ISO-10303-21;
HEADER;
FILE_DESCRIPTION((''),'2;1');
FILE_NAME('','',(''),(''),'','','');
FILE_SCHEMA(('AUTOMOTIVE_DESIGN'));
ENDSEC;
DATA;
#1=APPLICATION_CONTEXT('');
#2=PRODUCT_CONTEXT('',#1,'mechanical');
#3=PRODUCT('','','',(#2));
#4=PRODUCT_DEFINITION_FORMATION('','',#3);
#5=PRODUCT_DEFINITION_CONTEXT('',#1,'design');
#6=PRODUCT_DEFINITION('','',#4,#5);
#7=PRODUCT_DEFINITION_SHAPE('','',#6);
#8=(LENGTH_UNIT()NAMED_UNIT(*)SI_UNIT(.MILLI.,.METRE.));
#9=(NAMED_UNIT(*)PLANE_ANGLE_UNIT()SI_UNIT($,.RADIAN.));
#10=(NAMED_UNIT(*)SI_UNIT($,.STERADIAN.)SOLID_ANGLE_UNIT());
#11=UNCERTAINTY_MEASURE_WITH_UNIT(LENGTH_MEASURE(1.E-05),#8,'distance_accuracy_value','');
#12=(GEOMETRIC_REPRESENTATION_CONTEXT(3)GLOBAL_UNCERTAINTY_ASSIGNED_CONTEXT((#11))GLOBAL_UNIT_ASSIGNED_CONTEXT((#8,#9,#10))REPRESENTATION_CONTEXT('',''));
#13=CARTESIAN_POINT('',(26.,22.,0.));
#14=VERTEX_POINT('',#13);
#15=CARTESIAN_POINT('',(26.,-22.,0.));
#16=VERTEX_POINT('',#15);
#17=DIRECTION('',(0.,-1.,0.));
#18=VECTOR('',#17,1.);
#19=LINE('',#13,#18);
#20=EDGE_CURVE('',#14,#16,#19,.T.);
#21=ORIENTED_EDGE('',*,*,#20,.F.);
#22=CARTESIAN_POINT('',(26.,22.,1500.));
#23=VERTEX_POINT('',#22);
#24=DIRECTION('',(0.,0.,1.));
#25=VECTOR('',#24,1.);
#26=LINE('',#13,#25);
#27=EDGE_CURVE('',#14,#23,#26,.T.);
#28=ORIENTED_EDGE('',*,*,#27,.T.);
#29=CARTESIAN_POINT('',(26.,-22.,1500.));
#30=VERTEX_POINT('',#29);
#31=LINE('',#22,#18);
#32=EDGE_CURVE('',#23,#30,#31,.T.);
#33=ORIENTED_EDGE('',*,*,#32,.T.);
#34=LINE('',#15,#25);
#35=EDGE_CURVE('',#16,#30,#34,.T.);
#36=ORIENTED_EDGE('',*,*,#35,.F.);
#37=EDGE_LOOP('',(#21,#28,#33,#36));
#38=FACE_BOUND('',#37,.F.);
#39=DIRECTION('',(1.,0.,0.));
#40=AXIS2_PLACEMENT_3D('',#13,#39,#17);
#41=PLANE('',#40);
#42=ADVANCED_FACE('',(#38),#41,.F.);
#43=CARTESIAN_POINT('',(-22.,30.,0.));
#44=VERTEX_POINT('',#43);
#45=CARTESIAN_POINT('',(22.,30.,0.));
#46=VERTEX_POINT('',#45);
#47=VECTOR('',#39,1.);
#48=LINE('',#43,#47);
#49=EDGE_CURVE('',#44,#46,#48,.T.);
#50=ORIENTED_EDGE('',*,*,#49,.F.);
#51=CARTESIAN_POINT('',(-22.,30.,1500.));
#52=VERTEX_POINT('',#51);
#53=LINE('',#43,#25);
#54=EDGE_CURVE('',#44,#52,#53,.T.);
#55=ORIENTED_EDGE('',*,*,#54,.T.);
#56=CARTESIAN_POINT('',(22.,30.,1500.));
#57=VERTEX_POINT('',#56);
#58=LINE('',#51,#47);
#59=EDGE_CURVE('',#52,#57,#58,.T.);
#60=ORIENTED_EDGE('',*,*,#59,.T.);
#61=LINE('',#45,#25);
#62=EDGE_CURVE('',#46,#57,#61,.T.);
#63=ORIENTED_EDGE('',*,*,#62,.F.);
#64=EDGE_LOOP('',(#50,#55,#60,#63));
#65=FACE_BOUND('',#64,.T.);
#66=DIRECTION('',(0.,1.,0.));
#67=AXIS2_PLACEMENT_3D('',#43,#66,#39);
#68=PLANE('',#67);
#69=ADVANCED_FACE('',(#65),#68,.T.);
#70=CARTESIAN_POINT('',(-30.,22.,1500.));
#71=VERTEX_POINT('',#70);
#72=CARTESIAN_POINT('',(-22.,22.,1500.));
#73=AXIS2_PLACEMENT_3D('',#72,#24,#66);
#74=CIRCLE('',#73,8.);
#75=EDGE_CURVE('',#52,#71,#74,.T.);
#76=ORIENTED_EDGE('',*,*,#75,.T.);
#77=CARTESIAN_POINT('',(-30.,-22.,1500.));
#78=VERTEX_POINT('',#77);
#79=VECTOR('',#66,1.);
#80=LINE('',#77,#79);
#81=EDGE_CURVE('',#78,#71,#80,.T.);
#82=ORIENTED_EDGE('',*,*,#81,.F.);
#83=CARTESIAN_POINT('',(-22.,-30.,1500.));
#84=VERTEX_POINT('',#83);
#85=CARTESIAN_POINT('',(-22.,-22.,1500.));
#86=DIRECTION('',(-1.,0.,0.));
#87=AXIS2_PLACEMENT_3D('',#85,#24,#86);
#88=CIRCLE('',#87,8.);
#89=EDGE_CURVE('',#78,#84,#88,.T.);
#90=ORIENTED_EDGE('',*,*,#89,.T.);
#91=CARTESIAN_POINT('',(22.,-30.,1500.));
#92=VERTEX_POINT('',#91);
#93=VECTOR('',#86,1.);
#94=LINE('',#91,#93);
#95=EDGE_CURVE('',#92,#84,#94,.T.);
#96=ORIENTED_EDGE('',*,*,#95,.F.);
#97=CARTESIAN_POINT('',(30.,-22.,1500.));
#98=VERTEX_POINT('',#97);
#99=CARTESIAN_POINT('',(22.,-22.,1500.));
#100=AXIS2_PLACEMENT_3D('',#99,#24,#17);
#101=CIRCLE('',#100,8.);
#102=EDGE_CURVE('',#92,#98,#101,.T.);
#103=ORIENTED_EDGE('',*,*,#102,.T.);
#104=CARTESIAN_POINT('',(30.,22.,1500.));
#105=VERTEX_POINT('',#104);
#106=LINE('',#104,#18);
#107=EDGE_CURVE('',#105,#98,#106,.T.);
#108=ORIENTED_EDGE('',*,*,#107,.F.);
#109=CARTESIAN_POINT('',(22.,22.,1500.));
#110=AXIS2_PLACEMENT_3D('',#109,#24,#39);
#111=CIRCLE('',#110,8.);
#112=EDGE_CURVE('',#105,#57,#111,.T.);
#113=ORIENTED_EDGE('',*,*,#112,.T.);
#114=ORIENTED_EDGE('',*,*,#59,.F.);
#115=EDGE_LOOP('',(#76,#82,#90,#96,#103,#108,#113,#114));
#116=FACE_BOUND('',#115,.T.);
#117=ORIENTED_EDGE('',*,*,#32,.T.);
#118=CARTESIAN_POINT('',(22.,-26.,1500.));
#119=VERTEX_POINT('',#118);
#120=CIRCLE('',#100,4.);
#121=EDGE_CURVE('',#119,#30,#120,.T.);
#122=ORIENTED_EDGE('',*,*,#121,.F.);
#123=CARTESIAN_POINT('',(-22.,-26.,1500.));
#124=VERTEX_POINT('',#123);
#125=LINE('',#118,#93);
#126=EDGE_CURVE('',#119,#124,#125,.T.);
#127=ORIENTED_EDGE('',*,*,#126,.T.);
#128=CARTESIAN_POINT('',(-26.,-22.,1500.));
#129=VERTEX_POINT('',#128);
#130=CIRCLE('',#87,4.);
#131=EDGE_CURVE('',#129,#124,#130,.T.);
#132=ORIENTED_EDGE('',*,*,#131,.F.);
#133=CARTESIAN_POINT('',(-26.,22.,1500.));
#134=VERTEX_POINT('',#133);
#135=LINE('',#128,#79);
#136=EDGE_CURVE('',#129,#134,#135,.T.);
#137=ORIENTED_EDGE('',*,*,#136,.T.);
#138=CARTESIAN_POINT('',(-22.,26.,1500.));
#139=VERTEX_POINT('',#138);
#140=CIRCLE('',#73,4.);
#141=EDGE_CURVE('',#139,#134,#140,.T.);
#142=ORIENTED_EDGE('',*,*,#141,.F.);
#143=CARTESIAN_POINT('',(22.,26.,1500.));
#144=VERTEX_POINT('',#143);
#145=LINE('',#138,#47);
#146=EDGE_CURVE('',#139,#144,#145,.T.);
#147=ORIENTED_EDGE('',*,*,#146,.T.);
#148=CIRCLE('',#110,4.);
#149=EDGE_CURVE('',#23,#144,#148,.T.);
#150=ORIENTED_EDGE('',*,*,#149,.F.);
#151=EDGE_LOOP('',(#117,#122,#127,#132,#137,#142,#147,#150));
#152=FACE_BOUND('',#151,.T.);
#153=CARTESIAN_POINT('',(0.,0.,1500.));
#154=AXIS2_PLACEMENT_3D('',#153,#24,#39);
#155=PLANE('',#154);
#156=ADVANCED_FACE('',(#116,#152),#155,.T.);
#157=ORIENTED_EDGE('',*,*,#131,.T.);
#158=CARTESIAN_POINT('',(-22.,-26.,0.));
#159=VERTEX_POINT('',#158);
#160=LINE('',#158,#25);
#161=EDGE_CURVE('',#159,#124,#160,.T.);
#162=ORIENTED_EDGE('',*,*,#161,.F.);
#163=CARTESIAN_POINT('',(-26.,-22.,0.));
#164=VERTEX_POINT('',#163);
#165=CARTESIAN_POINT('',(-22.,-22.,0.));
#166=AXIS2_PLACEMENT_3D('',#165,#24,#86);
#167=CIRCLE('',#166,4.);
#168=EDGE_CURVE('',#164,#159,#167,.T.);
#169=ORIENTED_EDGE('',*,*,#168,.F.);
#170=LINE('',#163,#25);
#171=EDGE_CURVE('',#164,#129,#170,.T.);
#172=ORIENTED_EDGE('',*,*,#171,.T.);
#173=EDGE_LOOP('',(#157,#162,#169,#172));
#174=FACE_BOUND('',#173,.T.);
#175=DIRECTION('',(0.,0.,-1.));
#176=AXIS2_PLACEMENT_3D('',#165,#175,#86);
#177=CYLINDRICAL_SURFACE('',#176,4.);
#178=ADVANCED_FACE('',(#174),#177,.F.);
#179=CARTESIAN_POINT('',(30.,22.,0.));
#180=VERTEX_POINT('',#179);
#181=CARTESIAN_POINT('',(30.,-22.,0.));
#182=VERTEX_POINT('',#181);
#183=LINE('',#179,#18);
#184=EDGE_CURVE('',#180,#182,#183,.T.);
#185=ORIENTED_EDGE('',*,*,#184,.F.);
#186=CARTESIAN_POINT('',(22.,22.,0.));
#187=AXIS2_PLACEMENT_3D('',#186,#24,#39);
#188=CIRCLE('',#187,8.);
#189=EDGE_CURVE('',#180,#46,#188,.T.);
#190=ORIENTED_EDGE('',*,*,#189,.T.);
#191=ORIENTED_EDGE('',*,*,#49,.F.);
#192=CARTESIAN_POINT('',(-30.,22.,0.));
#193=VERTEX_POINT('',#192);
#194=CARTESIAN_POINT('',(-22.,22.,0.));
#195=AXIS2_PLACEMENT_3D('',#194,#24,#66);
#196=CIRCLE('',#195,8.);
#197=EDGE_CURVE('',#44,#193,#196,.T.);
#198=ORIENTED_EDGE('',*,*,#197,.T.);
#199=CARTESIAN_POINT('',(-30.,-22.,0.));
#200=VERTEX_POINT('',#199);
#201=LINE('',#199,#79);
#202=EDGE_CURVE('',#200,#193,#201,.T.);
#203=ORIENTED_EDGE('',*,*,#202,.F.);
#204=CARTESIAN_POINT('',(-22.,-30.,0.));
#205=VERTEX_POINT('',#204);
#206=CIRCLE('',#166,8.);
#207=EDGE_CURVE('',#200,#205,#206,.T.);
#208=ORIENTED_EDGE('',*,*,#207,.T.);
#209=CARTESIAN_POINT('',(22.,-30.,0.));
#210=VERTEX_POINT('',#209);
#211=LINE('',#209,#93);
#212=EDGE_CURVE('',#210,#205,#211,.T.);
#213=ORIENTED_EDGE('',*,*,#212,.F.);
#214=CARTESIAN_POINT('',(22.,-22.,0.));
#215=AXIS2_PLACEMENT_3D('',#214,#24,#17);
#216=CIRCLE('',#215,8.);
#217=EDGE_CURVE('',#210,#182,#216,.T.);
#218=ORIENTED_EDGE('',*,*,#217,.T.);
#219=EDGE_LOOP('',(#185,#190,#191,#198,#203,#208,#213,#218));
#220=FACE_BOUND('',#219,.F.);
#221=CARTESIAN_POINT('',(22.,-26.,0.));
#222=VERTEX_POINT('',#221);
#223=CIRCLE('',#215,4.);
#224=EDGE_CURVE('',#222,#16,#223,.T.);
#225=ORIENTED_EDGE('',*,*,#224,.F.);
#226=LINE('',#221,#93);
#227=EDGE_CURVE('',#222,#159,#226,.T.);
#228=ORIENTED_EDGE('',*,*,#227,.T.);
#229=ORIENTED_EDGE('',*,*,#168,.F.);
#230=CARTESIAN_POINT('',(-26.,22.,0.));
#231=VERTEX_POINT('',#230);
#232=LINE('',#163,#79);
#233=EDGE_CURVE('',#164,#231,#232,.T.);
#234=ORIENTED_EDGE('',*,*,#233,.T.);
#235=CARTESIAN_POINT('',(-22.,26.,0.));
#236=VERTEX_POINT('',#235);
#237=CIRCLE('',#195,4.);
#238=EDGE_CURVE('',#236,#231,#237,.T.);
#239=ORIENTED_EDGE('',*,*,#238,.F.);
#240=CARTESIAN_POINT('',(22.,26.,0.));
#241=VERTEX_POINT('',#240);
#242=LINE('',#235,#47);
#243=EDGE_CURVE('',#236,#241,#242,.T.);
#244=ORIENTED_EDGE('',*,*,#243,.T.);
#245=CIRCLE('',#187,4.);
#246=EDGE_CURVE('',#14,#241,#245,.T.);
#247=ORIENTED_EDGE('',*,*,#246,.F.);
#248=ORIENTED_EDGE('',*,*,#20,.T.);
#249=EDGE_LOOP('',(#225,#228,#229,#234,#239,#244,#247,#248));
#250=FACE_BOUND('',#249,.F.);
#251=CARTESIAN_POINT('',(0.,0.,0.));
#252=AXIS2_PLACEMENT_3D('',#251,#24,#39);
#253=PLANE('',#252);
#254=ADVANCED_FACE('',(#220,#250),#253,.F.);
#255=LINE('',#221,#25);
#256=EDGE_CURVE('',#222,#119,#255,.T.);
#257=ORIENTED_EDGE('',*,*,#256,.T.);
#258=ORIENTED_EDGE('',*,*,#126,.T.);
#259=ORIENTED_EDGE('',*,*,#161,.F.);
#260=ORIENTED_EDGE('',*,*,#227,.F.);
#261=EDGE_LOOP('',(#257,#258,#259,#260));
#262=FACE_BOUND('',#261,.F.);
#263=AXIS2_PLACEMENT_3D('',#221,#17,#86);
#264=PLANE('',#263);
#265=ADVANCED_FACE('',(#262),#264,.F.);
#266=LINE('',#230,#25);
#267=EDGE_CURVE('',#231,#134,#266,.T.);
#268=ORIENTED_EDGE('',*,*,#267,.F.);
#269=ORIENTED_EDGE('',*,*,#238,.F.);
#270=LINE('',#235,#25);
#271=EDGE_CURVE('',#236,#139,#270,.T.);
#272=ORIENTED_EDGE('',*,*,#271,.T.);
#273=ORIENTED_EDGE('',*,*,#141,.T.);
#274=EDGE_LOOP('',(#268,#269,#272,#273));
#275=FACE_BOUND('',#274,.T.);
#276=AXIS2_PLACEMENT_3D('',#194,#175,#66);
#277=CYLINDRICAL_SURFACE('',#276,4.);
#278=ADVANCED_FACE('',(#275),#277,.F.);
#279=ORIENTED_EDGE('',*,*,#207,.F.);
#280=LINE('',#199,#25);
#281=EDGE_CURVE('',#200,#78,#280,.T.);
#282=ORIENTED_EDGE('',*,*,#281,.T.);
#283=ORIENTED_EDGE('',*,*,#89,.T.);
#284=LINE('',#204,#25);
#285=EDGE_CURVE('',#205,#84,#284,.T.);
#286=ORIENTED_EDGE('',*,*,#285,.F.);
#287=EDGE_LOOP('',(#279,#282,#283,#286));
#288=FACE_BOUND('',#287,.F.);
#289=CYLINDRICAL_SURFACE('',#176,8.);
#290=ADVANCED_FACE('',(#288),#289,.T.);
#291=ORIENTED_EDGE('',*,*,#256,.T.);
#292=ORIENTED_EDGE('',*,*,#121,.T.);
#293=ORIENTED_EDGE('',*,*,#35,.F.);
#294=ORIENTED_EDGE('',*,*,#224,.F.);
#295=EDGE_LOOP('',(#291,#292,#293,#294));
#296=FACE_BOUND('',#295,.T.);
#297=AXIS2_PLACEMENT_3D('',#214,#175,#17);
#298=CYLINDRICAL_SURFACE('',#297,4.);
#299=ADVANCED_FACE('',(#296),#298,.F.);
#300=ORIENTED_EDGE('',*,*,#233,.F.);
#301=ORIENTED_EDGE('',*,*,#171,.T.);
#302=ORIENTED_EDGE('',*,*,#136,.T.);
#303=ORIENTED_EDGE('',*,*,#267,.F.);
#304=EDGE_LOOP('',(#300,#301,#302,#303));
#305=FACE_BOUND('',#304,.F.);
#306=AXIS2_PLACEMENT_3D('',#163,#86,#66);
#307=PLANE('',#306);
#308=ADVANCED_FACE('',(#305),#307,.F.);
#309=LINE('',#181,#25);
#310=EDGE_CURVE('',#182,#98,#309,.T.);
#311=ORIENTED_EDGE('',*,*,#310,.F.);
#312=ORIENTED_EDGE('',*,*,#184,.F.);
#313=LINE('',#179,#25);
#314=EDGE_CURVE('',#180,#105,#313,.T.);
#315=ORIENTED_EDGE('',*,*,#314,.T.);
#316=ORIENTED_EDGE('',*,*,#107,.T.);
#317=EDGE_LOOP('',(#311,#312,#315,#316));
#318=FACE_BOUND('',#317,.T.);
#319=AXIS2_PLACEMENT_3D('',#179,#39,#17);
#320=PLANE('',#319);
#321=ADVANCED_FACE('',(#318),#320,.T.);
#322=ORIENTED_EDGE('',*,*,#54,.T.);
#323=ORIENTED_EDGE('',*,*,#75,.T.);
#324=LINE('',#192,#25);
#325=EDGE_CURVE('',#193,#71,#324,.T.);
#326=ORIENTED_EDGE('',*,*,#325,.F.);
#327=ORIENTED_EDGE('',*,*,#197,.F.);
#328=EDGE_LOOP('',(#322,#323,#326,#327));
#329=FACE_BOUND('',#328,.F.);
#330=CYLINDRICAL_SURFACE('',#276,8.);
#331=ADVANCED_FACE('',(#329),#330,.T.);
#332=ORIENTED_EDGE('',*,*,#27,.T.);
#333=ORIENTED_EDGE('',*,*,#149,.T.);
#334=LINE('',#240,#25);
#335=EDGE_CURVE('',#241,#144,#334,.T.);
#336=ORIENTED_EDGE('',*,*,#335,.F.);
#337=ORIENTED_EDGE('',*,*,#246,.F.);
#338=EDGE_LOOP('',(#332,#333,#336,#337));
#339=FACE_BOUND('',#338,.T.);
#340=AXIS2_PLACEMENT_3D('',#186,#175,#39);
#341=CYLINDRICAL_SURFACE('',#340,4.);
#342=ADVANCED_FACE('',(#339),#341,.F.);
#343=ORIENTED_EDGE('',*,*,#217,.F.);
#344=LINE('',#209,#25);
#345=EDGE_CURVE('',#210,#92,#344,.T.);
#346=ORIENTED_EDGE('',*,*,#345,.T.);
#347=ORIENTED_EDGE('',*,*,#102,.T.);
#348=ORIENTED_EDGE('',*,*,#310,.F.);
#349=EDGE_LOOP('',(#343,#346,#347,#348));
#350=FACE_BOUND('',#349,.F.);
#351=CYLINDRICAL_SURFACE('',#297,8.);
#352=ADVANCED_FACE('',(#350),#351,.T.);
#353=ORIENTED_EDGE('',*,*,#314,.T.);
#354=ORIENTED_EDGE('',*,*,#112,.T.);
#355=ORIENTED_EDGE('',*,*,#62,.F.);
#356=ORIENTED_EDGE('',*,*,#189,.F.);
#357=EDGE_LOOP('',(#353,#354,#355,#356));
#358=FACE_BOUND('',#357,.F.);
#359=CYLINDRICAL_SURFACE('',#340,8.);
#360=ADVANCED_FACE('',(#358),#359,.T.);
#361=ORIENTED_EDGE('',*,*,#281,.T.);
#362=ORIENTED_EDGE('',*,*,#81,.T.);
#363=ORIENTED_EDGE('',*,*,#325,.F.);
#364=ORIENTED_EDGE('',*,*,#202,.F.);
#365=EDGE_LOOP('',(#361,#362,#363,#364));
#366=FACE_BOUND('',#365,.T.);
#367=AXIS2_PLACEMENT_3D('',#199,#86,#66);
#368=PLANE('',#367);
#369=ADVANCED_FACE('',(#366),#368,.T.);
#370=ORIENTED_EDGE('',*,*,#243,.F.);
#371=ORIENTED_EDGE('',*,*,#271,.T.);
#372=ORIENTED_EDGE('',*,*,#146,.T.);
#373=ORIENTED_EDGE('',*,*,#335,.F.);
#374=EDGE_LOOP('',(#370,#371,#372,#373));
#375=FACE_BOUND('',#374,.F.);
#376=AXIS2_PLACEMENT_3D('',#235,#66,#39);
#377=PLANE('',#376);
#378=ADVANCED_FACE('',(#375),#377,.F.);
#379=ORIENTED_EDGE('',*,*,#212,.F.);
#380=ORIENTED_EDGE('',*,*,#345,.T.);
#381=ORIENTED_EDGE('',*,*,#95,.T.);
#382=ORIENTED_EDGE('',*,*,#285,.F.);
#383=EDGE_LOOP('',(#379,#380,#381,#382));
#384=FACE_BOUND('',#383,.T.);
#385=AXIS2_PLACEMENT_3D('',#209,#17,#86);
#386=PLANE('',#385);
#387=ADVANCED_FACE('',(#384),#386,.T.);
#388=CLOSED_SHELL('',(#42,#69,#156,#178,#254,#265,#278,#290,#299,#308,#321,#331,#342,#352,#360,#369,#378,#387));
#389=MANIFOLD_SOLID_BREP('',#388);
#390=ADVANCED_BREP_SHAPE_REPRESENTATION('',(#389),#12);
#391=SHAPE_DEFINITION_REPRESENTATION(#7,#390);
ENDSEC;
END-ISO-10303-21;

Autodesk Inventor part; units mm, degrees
ref_plane "YZ Plane" through (0, 0, 0) normal (1, 0, 0) x (0, 1, 0)
ref_plane "Start Plane" through (0, 0, 0) normal (0, 0, 1) x (1, 0, 0)
ref_plane "End Plane" through (0, 0, 1500) normal (0, 0, 1) x (1, 0, 0)
sketch "Sketch" plane through (0, 0, 0) normal (0, 0, 1) x (1, 0, 0)
  line L0 (-30, -22) -> (-30, 22)
  line L1 (-22, 30) -> (22, 30)
  line L2 (30, 22) -> (30, -22)
  line L3 (22, -30) -> (-22, -30)
  arc A0 (-30, -22) -> (-22, -30) centre (-22, -22) ccw
  arc A1 (30, 22) -> (22, 30) centre (22, 22) ccw
  arc A2 (-22, 30) -> (-30, 22) centre (-22, 22) ccw
  arc A3 (22, -30) -> (30, -22) centre (22, -22) ccw
  arc A4 (-22, 26) -> (-26, 22) centre (-22, 22) ccw
  line L4 (-22, 26) -> (22, 26)
  arc A5 (26, 22) -> (22, 26) centre (22, 22) ccw
  line L5 (26, 22) -> (26, -22)
  arc A6 (22, -26) -> (26, -22) centre (22, -22) ccw
  line L6 (22, -26) -> (-22, -26)
  arc A7 (-26, -22) -> (-22, -26) centre (-22, -22) ccw
  line L7 (-26, -22) -> (-26, 22)
  line L8 (0, 44.3196) -> (0, -44.3196) construction
  line L9 (-44.3196, 0) -> (44.3196, 0) construction
  dimension "d7" = 8
  dimension "d9" = 60
  dimension "d11" = 60
  dimension "d12" = 4
  dimension "d15" = 30
  dimension "d16" = 30
extrude "Body" add sketch "Sketch" along normal up to surface (1500 mm away) from surface at 0
sketch "Sketch3" plane through (0, 0, 0) normal (0, 0, 1) x (1, 0, 0)
  line L0 (0, 0) -> (10, 0)
ref_plane "Work Plane3" through (0, 0, 0) normal (0, -1, 0) x (1, 0, 0)
sketch "Sketch4" plane through (0, 0, 0) normal (0, -1, 0) x (1, 0, 0)
  line L0 (-2, 0) -> (12, 0) projected
  line L1 (-2, 1500) -> (12, 1500) projected
  dimension "d18" = 1500
equation "\"d7\" = G_IR"
equation "\"d9\" = G_W"
equation "\"d11\" = G_H"
equation "\"d12\" = G_T"
equation "\"d15\" = 0.5 * d9"
equation "\"d16\" = 0.5 * d11"
equation "\"d3\" = G_L"
equation "\"G_W\" = 60"
equation "\"G_H\" = 60"
equation "\"G_T\" = 4"
equation "\"G_IR\" = 8"
equation "\"G_L\" = d18"
equation "\"G_OFFSET_START\" = 0"
equation "\"G_OFFSET_END\" = 0"
properties part number "ISO 4019 - 60x60x4 - 1500" material "Steel, Mild"
